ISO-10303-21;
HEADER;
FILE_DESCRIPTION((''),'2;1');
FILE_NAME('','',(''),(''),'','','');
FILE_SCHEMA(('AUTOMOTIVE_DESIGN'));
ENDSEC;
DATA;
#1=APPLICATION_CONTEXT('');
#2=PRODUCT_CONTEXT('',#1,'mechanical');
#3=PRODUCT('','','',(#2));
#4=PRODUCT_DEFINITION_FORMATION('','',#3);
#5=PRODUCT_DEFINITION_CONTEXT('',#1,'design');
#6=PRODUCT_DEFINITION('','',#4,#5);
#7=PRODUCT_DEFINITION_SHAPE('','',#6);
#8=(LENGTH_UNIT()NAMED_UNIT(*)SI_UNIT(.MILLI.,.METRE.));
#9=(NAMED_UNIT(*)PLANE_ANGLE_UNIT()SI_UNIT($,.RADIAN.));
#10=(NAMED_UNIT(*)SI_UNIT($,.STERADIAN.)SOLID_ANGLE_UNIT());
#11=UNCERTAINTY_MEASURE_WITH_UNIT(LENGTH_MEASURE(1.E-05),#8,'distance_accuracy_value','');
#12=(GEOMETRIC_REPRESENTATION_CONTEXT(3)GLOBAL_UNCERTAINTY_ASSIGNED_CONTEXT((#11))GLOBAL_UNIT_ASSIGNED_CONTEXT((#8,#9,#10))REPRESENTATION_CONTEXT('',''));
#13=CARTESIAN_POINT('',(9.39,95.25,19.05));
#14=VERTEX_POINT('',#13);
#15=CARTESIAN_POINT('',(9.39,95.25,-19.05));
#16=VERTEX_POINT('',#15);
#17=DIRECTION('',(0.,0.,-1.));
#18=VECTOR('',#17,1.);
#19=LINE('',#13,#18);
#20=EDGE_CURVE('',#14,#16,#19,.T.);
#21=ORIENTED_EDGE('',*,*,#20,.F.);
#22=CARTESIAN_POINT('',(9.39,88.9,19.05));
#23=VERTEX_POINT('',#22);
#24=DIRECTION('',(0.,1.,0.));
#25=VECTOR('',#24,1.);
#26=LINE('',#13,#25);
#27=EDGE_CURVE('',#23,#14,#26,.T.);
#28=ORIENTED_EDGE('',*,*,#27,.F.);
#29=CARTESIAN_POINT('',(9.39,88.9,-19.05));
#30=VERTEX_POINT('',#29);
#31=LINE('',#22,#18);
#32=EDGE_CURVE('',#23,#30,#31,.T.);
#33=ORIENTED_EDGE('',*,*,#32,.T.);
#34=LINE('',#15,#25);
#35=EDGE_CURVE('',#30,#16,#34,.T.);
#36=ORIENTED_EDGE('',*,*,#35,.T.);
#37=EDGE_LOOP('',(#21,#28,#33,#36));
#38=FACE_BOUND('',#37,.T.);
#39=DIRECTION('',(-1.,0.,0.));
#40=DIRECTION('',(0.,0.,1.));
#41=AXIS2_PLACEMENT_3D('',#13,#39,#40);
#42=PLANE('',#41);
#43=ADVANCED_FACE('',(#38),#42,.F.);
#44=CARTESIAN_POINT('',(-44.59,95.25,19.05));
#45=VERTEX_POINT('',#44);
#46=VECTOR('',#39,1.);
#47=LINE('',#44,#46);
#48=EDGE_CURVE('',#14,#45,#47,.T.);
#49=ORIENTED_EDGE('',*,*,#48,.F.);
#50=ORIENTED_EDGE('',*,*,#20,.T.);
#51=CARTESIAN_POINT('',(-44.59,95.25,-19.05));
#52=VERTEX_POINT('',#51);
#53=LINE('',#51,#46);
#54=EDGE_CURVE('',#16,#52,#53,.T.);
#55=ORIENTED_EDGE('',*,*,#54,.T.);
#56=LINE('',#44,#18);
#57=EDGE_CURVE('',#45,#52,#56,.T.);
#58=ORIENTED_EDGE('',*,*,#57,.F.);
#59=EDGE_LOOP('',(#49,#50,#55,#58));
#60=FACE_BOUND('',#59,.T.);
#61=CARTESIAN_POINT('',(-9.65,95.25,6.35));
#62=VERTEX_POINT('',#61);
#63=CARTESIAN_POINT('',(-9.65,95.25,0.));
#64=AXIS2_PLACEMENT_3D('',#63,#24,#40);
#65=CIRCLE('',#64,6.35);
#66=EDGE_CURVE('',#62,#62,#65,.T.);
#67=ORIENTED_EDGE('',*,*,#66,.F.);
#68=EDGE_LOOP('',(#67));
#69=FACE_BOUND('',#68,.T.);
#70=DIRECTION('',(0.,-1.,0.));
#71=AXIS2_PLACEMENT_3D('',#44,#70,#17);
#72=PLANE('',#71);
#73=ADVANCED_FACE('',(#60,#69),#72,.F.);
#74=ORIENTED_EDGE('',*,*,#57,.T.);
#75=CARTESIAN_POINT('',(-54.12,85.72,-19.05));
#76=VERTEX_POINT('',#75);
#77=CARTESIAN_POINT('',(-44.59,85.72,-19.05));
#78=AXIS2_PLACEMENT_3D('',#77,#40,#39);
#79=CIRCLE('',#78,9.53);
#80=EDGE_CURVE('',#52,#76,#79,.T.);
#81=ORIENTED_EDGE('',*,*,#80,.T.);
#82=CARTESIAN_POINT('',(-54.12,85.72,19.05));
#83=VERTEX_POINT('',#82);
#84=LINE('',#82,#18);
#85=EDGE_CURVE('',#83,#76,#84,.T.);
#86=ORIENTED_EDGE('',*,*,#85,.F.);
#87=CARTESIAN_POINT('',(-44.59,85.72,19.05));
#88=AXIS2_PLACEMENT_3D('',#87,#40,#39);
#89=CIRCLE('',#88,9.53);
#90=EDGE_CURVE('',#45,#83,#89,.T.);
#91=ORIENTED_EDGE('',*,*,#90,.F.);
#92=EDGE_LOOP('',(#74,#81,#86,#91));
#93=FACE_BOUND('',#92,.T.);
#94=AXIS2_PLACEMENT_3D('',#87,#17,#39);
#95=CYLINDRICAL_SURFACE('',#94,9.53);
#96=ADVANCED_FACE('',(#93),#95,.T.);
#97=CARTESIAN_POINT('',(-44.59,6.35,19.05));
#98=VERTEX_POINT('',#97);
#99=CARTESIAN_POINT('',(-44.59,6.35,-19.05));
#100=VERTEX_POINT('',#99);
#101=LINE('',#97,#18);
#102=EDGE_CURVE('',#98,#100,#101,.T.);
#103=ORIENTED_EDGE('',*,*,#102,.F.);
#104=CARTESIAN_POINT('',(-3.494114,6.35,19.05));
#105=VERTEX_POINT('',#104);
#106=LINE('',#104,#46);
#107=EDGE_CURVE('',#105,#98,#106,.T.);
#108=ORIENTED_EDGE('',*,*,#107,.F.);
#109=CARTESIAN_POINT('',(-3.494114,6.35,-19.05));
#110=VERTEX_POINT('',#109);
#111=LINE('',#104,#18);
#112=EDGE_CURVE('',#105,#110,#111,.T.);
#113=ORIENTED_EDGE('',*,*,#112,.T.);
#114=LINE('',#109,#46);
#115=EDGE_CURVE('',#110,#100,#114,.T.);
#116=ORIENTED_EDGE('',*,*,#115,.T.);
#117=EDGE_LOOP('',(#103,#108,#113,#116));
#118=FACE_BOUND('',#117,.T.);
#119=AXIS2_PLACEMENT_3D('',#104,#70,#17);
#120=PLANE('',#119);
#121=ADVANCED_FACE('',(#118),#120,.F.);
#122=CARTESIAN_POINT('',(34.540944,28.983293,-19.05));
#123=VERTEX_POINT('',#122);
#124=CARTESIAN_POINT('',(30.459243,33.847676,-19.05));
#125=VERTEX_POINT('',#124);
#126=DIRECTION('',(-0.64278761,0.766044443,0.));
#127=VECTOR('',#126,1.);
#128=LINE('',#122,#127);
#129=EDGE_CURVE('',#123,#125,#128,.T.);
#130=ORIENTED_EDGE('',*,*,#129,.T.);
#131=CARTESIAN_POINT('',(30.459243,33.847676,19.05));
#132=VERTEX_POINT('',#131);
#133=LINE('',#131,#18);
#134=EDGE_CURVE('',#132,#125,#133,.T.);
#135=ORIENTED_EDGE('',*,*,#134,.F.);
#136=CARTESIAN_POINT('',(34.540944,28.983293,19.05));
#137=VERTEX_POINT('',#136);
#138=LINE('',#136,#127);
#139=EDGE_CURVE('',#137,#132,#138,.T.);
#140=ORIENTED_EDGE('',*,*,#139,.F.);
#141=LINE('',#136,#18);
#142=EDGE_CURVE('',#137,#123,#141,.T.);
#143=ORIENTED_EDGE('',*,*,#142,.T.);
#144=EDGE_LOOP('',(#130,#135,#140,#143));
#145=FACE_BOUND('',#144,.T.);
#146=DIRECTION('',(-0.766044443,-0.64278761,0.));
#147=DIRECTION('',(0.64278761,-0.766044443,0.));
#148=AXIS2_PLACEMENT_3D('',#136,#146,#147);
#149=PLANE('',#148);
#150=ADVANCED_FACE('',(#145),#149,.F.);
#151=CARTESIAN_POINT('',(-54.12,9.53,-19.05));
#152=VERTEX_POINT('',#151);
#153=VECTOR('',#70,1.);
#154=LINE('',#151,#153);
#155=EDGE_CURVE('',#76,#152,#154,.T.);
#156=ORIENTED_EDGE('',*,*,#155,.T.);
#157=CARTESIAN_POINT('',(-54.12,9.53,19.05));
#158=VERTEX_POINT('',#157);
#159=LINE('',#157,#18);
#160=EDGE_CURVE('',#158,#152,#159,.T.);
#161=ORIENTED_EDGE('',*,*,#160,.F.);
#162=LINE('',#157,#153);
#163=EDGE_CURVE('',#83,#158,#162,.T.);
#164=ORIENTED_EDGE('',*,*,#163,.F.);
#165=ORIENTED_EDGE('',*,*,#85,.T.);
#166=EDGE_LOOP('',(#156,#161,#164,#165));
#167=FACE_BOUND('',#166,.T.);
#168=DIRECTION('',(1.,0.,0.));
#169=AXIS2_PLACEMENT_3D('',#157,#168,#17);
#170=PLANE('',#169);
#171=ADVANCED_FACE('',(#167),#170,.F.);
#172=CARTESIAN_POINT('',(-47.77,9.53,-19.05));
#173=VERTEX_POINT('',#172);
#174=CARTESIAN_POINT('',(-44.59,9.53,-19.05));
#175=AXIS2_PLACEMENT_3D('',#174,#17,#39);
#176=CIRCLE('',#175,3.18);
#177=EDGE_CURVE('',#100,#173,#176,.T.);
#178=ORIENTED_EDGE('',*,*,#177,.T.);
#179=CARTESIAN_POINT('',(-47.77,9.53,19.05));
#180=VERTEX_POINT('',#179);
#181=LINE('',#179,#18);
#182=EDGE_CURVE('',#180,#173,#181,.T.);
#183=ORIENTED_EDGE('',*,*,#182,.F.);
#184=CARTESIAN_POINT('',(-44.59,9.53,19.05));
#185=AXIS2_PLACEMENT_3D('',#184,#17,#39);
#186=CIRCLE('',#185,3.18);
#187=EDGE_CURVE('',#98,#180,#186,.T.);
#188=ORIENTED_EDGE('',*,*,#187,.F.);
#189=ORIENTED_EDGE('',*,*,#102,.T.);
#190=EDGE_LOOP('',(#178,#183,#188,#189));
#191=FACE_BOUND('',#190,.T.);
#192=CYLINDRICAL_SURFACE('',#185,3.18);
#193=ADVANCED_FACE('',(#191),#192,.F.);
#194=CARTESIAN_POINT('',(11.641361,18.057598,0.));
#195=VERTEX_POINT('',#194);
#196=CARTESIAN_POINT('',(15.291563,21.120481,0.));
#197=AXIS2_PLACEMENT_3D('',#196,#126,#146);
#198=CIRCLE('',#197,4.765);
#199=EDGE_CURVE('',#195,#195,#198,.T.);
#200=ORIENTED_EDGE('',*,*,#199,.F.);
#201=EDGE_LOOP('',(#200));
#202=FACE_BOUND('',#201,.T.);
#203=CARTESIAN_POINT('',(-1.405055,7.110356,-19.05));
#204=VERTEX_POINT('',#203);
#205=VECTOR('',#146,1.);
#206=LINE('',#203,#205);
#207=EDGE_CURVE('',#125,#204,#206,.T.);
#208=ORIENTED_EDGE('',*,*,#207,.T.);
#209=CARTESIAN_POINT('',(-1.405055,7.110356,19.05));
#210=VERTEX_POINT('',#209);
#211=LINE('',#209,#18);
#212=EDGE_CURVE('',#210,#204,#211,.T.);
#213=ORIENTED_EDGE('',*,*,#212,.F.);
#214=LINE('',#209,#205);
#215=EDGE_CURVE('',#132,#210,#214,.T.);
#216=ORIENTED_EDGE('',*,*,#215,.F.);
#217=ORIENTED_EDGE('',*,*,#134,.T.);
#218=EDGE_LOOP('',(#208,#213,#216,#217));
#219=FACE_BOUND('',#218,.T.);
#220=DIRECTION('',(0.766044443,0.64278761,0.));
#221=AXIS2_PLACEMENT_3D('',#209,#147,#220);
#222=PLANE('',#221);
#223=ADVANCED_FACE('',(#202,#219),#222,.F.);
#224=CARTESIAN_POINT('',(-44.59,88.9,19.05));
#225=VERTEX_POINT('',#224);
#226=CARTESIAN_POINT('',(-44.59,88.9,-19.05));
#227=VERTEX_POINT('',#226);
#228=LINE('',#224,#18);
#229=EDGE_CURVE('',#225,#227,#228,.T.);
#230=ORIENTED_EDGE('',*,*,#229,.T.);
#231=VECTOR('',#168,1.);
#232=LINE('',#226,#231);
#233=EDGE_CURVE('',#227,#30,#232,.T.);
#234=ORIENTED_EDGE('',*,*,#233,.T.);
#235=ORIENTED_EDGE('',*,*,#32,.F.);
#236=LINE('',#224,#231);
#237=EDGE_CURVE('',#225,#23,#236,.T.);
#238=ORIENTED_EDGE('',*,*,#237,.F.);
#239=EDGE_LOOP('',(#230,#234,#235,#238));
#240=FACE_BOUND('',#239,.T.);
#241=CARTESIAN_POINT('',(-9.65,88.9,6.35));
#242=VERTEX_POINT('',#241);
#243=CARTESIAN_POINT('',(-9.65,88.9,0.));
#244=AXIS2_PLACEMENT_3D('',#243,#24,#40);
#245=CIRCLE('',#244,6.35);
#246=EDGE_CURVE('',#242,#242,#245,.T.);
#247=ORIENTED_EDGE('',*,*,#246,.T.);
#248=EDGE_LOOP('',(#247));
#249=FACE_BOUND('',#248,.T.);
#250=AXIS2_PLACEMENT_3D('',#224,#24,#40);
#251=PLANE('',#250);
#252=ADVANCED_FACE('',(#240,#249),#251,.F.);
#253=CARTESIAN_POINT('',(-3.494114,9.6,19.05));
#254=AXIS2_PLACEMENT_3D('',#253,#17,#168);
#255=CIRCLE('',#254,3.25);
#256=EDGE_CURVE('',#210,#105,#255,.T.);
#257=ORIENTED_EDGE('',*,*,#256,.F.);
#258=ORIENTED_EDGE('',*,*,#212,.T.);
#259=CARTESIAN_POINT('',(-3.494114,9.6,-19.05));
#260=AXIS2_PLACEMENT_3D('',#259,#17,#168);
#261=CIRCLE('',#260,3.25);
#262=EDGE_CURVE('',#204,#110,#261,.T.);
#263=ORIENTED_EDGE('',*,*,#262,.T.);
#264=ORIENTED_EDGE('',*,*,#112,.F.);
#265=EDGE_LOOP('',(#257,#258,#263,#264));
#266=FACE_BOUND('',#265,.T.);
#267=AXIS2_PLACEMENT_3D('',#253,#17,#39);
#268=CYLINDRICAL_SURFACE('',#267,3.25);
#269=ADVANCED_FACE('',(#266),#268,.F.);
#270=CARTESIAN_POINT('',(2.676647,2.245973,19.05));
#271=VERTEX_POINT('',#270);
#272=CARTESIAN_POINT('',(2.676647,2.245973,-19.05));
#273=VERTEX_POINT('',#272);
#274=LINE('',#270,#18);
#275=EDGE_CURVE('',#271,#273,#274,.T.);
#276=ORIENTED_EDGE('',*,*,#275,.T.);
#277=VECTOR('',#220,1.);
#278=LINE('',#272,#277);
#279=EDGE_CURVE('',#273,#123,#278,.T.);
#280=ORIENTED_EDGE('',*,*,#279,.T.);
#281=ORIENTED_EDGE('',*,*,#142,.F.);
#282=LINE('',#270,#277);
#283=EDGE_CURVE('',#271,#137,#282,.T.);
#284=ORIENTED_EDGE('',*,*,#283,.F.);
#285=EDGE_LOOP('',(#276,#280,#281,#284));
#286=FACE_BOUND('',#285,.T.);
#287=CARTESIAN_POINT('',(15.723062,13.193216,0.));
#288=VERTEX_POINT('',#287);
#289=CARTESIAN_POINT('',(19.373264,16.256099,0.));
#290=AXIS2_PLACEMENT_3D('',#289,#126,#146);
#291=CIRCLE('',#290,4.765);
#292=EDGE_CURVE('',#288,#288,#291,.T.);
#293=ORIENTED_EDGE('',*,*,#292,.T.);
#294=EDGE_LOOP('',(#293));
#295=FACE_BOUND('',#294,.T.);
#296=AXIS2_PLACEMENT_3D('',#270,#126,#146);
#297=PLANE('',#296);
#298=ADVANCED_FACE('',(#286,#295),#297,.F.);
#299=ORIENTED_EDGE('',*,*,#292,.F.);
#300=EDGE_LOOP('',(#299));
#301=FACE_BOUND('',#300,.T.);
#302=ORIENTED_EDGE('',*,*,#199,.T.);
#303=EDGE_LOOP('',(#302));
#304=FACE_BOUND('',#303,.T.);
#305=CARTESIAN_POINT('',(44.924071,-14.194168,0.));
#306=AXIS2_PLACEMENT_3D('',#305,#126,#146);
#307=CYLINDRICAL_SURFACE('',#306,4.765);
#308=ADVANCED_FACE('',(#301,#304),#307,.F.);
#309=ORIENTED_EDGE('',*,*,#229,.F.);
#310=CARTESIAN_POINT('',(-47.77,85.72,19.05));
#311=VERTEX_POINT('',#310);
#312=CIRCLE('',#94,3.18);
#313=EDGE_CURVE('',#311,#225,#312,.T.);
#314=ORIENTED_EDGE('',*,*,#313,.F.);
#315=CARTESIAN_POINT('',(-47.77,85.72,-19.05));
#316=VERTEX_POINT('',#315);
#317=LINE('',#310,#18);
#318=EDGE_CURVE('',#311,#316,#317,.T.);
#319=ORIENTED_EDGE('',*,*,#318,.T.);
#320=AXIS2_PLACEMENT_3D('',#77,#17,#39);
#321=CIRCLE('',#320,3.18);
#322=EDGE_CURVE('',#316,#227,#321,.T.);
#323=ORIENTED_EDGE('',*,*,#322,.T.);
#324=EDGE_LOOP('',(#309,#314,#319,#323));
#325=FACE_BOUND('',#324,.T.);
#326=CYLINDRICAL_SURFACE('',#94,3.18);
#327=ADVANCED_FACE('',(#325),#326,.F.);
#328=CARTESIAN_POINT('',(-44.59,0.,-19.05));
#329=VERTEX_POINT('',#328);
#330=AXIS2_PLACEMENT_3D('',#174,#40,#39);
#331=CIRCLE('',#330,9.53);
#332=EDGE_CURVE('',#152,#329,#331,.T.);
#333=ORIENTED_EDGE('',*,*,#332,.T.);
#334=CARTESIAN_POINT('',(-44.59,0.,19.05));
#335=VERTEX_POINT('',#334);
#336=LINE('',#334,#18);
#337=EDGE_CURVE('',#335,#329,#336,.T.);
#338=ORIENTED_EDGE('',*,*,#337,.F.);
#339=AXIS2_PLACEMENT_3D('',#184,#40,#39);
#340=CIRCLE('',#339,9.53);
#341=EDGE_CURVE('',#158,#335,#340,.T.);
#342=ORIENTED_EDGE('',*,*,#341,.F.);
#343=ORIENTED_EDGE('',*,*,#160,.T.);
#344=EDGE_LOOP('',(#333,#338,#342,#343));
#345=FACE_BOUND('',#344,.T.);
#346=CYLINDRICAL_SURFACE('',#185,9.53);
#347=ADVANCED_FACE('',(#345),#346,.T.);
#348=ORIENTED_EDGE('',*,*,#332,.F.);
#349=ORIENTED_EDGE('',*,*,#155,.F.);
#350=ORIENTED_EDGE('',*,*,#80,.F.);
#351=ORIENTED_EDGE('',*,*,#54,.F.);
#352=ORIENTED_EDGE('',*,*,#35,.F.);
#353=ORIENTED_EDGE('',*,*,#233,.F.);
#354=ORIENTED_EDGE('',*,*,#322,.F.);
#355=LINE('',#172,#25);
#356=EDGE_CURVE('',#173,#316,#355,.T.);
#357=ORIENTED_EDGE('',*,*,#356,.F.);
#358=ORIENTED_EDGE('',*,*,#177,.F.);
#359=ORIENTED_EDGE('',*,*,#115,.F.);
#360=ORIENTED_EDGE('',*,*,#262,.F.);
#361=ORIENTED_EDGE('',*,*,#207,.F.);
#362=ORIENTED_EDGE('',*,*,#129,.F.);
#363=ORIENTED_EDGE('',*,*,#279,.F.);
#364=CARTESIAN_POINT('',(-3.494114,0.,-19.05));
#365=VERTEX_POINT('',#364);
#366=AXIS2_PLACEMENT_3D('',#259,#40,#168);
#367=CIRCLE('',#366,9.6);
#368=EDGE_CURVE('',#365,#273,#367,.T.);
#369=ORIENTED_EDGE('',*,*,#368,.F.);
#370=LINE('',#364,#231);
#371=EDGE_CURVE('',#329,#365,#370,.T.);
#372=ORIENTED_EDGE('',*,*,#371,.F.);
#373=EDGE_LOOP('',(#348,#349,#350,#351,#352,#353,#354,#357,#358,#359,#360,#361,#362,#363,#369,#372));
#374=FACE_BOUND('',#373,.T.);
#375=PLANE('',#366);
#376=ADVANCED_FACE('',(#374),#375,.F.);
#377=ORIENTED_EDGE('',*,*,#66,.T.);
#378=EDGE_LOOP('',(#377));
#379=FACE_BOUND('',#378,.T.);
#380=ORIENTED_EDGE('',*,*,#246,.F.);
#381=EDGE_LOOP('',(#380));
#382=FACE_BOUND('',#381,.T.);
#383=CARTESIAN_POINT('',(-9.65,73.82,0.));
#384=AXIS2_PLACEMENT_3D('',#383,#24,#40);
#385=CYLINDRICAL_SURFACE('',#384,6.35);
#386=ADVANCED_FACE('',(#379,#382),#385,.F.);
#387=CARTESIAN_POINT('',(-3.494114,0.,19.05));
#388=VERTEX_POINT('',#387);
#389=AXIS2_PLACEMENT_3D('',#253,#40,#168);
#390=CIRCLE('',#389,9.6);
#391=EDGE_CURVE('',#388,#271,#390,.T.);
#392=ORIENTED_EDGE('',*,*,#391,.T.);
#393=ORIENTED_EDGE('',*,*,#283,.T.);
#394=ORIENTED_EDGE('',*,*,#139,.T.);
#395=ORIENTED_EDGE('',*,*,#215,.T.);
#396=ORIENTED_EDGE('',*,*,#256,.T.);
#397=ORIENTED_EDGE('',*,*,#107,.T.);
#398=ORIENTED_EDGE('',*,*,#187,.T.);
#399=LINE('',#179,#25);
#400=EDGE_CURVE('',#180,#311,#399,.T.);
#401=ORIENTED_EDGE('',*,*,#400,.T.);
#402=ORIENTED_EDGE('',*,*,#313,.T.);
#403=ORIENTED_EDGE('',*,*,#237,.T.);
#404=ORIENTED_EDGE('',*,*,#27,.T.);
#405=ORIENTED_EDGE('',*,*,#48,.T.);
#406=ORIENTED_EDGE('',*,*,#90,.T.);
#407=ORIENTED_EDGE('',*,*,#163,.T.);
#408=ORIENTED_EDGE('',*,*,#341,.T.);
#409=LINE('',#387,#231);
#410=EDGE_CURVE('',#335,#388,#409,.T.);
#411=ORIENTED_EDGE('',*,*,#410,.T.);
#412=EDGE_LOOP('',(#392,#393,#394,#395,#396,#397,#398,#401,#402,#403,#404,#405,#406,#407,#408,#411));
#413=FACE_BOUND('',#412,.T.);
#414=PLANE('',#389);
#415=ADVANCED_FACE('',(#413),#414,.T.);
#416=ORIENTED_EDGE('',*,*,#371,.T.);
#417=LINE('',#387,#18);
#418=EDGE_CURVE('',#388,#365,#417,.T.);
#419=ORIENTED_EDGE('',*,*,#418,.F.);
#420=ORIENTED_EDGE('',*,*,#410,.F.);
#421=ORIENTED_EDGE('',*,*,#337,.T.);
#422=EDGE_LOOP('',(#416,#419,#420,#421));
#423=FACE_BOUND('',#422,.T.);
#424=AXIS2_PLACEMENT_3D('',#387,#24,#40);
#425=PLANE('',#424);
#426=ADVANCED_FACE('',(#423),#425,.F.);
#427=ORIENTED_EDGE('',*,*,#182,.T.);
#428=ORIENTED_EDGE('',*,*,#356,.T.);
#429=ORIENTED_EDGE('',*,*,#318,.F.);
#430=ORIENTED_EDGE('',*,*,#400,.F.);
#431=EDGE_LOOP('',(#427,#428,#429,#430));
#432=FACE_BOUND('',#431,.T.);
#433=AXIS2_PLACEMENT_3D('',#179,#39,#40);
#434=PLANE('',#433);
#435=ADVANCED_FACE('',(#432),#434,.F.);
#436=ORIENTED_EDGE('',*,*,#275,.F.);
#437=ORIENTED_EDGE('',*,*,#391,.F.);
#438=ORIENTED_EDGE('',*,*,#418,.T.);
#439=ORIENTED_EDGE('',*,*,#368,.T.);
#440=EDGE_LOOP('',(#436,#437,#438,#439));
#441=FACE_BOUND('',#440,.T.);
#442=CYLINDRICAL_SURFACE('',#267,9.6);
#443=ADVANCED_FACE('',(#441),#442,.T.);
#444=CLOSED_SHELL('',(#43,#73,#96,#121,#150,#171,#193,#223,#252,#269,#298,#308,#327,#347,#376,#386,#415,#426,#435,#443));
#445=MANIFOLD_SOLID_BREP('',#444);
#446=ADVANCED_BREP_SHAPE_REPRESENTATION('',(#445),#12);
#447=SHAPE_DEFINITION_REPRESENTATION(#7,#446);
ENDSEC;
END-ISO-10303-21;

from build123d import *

# Parameters (mm, degrees)
BOSS_EXTRUDE1_DEPTH = 19.05
SKETCH2_R           = 6.35
CUT_EXTRUDE1_DEPTH  = 21.43
SKETCH3_R           = 4.765
CUT_EXTRUDE2_DEPTH  = 46.1


with BuildPart() as part:
    # Sketch1 → Boss-Extrude1 (new, symmetric)
    with BuildSketch(Plane.XY):
        with BuildLine():
            Line((-3.494114249, 0), (-44.59, 0))
            ThreePointArc((-44.59, 0), (-51.328727625, 2.791272375), (-54.12, 9.53))
            Line((-54.12, 9.53), (-54.12, 85.72))
            ThreePointArc((-54.12, 85.72), (-51.328727625, 92.458727625), (-44.59, 95.25))
            Line((-44.59, 95.25), (9.39, 95.25))
            Line((9.39, 95.25), (9.39, 88.9))
            Line((9.39, 88.9), (-44.59, 88.9))
            ThreePointArc((-44.59, 88.9), (-46.838599564, 87.968599564), (-47.77, 85.72))
            Line((-47.77, 85.72), (-47.77, 9.53))
            ThreePointArc((-47.77, 9.53), (-46.838599564, 7.281400436), (-44.59, 6.35))
            Line((-44.59, 6.35), (-3.494114249, 6.35))
            ThreePointArc((-3.494114249, 6.35), (-2.382548783, 6.545998982), (-1.405054517, 7.11035556))
            Line((-1.405054517, 7.11035556), (30.459242619, 33.847675535))
            Line((30.459242619, 33.847675535), (34.54094394, 28.983293321))
            Line((34.54094394, 28.983293321), (2.676646804, 2.245973346))
            ThreePointArc((2.676646804, 2.245973346), (-0.210720873, 0.57895084), (-3.494114249, 0))
        make_face()
    extrude(amount=BOSS_EXTRUDE1_DEPTH, both=True)

    # Sketch2 → Cut-Extrude1 (cut)
    with BuildSketch(Plane(origin=(0, 95.25, 0), x_dir=(1, 0, 0), z_dir=(0, 1, 0))):
        with Locations(Location((-9.65, 0, 0), (0, 0, 270))):
            Circle(SKETCH2_R)
    extrude(amount=-CUT_EXTRUDE1_DEPTH, mode=Mode.SUBTRACT)

    # Sketch3 → Cut-Extrude2 (cut)
    with BuildSketch(Plane(origin=(-4.081701322, 4.864382214, 0), x_dir=(0.7660444431189815, 0.6427876096865353, 0), z_dir=(-0.6427876096865353, 0.7660444431189815, 0))):
        with Locations(Location((25.29, 0, 0), (0, 0, 180))):
            Circle(SKETCH3_R)
    extrude(amount=-CUT_EXTRUDE2_DEPTH, mode=Mode.SUBTRACT)


solid = part.part
